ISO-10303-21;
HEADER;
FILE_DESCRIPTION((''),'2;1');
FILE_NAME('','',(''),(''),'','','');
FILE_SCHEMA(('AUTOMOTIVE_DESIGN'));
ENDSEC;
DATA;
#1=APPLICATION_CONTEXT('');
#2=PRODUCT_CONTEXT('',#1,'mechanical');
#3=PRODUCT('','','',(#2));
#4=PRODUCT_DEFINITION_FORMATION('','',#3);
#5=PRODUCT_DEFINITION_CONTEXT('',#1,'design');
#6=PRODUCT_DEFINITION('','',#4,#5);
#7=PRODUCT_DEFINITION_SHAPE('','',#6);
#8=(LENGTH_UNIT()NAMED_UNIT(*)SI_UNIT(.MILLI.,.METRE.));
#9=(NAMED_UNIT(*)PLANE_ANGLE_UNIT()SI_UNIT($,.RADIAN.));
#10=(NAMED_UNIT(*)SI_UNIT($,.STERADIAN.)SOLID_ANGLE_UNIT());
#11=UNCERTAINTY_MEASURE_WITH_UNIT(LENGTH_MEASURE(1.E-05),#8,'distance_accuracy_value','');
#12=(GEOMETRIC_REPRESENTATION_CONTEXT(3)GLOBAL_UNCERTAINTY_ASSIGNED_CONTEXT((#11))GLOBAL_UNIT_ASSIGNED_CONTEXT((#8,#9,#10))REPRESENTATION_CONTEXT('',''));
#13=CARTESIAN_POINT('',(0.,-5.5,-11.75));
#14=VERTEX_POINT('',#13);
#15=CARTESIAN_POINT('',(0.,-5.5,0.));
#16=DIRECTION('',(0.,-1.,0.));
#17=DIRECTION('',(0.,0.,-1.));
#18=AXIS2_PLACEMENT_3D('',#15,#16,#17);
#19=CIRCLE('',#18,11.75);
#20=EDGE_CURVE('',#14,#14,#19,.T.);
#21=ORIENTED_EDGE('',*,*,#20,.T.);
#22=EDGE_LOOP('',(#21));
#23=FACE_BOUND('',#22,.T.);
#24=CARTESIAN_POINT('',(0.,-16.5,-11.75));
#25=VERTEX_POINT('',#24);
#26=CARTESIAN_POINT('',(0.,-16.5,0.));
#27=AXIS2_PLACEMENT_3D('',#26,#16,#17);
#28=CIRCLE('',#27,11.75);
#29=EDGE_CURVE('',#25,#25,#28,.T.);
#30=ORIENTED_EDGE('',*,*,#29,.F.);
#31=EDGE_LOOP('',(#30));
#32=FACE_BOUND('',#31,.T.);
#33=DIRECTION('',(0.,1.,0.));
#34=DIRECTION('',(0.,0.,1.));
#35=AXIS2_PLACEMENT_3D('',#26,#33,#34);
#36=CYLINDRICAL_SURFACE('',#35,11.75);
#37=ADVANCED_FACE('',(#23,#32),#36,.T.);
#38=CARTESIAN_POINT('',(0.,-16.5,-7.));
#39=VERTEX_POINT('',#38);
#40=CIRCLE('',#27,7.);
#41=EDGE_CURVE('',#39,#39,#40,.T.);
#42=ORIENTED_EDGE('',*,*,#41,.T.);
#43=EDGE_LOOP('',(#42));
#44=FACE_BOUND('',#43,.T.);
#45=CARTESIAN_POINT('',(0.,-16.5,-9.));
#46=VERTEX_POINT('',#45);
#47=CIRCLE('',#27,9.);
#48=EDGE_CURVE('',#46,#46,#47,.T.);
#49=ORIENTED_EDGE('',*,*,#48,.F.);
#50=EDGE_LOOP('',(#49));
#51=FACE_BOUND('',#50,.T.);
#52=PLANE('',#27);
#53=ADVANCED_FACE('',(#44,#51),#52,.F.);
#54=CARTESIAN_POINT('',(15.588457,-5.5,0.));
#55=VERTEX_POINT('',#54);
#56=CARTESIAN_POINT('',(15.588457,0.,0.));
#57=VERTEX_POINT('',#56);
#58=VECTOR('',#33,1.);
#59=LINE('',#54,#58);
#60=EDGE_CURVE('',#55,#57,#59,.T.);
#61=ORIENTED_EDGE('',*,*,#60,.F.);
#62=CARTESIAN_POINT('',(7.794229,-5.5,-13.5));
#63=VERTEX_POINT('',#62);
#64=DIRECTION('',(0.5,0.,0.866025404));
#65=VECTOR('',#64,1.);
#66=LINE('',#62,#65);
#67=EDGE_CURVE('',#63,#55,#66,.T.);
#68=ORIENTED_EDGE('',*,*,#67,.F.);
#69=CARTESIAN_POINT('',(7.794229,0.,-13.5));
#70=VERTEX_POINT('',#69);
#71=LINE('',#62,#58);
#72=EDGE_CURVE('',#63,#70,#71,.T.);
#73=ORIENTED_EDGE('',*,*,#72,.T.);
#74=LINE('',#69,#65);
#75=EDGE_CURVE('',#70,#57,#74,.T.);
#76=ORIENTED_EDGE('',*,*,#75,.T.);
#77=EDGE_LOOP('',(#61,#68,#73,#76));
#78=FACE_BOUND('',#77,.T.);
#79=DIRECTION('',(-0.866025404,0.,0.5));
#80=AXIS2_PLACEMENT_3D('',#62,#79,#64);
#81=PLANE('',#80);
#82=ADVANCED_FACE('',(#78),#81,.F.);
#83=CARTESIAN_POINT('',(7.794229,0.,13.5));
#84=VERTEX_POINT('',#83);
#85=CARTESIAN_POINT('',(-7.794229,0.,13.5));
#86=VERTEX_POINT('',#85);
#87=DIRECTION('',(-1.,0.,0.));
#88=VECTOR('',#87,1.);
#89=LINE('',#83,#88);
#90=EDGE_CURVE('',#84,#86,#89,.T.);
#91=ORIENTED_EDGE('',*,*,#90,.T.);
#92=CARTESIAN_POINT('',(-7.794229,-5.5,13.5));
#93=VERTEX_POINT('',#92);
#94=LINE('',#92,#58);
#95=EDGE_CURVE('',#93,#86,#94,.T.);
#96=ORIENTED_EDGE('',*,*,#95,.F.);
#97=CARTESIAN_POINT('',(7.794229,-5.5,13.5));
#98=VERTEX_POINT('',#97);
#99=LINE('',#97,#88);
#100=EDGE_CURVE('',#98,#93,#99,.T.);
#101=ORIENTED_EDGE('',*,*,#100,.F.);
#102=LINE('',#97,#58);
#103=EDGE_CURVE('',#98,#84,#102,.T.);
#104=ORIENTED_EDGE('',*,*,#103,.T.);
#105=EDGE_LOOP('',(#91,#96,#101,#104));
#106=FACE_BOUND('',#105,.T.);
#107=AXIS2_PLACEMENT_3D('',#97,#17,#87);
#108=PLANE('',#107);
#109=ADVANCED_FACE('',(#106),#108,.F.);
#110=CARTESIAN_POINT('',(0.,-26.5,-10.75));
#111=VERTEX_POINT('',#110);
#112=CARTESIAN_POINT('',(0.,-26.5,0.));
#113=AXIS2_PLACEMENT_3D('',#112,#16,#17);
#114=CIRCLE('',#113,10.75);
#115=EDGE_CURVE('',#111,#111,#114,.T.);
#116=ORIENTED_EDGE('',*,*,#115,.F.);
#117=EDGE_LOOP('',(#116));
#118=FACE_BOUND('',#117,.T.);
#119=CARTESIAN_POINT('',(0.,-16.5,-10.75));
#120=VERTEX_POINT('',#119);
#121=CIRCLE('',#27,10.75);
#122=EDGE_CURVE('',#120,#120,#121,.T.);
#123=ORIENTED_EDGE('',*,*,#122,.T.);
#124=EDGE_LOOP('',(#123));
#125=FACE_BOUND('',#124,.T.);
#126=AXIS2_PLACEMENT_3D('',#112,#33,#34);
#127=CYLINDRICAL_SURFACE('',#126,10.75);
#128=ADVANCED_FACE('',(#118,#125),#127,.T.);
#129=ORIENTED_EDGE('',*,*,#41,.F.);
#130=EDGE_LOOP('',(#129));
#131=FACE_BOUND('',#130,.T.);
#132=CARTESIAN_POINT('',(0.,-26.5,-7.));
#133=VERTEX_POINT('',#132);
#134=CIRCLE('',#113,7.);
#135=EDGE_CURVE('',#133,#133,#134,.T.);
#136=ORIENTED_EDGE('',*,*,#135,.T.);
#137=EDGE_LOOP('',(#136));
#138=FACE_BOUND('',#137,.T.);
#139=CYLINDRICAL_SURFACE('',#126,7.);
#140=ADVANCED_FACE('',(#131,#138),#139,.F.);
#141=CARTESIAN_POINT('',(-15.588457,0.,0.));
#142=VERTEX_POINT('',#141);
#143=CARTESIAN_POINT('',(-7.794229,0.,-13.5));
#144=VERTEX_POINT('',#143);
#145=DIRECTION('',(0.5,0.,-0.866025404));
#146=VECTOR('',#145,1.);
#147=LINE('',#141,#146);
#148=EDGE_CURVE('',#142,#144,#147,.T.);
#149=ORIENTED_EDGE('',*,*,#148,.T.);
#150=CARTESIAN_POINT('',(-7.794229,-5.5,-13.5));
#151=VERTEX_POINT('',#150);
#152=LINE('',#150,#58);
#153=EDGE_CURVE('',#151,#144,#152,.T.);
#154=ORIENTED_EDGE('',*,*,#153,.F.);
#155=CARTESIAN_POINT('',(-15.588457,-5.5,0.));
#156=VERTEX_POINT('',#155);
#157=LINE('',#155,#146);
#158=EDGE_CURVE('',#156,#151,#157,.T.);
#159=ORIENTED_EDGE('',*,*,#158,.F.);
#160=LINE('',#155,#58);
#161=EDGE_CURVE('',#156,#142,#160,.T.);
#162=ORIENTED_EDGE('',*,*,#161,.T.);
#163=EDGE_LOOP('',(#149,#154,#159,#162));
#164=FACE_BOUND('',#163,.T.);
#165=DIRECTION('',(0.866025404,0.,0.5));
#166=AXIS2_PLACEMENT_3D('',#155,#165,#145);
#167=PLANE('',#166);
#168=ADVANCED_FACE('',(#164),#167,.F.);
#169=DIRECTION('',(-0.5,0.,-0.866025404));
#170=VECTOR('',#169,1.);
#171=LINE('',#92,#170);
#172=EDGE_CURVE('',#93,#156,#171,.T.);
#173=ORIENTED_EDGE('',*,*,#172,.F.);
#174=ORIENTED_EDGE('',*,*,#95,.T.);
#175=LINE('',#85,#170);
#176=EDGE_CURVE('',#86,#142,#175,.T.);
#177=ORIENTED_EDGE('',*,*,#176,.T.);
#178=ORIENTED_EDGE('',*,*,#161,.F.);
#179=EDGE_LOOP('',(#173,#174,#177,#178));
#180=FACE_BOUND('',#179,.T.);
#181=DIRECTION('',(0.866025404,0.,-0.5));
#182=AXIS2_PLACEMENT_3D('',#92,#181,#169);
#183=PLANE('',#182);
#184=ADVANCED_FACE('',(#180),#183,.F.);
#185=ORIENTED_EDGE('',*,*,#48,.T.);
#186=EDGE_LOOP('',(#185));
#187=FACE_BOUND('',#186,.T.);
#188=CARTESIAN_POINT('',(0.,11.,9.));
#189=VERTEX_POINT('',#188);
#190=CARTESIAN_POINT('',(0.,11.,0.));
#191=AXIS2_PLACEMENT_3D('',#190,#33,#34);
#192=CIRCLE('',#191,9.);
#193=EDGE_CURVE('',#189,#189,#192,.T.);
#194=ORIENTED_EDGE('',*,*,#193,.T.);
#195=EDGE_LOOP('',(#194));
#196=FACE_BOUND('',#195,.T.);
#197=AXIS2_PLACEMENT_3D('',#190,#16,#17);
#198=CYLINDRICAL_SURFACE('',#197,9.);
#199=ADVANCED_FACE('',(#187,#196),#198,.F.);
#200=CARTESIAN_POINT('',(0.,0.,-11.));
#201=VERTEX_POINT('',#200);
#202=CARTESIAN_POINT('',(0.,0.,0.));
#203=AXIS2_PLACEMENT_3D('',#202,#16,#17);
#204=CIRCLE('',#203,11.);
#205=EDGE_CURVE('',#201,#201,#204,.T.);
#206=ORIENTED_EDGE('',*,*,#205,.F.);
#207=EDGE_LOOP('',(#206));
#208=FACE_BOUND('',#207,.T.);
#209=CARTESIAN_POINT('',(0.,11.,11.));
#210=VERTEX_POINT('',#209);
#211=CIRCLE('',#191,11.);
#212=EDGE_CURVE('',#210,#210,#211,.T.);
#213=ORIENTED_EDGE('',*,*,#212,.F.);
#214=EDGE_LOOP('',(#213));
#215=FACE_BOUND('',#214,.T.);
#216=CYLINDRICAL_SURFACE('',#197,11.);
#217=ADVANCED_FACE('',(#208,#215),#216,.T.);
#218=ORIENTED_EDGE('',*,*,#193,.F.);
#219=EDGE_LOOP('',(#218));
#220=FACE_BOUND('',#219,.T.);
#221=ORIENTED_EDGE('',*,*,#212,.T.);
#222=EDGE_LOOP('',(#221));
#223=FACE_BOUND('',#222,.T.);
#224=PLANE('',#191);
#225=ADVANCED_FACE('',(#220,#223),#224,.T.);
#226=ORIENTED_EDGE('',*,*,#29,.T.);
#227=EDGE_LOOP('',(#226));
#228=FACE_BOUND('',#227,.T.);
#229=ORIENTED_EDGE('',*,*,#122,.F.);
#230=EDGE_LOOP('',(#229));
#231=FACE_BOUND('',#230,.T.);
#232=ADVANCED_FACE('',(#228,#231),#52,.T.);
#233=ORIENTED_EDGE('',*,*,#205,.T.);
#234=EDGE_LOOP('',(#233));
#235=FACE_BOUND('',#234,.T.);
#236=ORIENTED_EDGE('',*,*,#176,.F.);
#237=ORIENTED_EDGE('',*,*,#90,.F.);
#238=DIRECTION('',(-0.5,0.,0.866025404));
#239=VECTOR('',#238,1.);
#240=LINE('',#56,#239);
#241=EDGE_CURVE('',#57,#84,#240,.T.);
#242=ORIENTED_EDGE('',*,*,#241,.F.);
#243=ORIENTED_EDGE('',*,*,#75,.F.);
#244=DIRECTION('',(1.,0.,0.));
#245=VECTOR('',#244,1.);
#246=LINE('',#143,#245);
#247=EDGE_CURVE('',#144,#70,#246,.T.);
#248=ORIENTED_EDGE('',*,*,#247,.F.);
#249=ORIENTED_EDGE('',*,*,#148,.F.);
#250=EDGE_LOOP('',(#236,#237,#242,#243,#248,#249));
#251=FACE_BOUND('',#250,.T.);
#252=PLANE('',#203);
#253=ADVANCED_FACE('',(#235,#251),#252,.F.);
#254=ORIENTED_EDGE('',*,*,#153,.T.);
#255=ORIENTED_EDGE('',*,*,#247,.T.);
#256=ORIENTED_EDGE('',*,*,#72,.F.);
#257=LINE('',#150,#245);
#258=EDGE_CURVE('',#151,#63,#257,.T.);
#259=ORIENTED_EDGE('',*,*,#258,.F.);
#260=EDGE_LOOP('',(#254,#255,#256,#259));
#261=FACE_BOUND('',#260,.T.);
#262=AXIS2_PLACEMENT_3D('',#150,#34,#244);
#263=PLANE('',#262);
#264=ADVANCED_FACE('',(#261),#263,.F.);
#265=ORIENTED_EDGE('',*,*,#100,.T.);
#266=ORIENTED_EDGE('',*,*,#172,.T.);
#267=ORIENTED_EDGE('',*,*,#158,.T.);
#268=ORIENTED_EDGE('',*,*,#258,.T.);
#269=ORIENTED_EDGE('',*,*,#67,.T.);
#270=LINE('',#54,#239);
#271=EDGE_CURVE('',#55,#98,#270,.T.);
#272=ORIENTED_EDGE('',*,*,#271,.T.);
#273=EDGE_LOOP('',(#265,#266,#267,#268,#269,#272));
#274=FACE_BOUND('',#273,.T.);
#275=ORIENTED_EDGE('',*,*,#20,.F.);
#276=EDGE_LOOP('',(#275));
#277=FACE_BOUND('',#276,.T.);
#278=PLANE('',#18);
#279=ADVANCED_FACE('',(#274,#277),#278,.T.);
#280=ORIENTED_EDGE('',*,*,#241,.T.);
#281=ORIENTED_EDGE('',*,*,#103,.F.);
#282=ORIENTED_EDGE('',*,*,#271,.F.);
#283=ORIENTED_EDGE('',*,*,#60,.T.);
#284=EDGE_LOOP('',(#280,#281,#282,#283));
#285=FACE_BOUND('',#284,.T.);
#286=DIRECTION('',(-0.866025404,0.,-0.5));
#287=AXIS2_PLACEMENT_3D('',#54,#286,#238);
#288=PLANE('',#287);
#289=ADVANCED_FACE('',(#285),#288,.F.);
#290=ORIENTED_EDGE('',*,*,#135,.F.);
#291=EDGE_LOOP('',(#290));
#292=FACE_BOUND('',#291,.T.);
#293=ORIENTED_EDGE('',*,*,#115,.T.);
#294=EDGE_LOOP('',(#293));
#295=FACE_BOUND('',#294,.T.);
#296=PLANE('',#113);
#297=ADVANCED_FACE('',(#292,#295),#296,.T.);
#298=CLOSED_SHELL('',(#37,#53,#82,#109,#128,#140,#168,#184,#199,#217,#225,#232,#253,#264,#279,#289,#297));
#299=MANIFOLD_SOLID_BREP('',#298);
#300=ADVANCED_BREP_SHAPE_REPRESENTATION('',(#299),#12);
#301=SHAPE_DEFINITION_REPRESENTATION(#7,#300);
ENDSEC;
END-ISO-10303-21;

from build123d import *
from build123d.topology import SkipClean

# Parameters (mm, degrees)
SKIZZE1_R                       = 11
SKIZZE1_R_2                     = 9
AUFSATZ_LINEAR_AUSTRAGEN1_DEPTH = 11
AUFSATZ_LINEAR_START            = 5.5
SKIZZE2_R                       = 9
AUFSATZ_LINEAR_AUSTRAGEN2_DEPTH = 5.5
AUFSATZ_LINEAR_START_2          = 11
SKIZZE3_R                       = 11.75
SKIZZE3_R_2                     = 9
AUFSATZ_LINEAR_AUSTRAGEN3_DEPTH = 11
SKIZZE4_R                       = 10.75
SKIZZE4_R_2                     = 7
AUFSATZ_LINEAR_AUSTRAGEN4_DEPTH = 10


with BuildPart() as part:
    # Skizze1 → Aufsatz-Linear austragen1 (new body)
    with BuildSketch(Plane(origin=(0, 0, 0), x_dir=(1, 0, 0), z_dir=(0, 1, 0))):
        with Locations(Location((0, 0, 0), (0, 0, 270))):
            Circle(SKIZZE1_R)
        with Locations(Location((0, 0, 0), (0, 0, 270))):
            Circle(SKIZZE1_R_2, mode=Mode.SUBTRACT)
    extrude(amount=AUFSATZ_LINEAR_AUSTRAGEN1_DEPTH)

    # Skizze2 → Aufsatz-Linear austragen2 (add)
    with SkipClean():  # the faces are left unmerged after this step: merging them gives an invalid solid
        with BuildSketch(Plane.XZ.offset(AUFSATZ_LINEAR_START)):
            Polygon((15.588457268, 0), (7.794228634, 13.5), (-7.794228634, 13.5), (-15.588457268, 0), (-7.794228634, -13.5), (7.794228634, -13.5), align=None)
            with Locations(Location((0, 0, 0), (0, 0, 270))):
                Circle(SKIZZE2_R, mode=Mode.SUBTRACT)
        extrude(amount=-AUFSATZ_LINEAR_AUSTRAGEN2_DEPTH)

    # Skizze3 → Aufsatz-Linear austragen3 (add)
    with SkipClean():  # the faces are left unmerged after this step: merging them gives an invalid solid
        with BuildSketch(Plane.XZ.offset(5.5).offset(AUFSATZ_LINEAR_START_2)):
            with Locations(Location((0, 0, 0), (0, 0, 270))):
                Circle(SKIZZE3_R)
            with Locations(Location((0, 0, 0), (0, 0, 270))):
                Circle(SKIZZE3_R_2, mode=Mode.SUBTRACT)
        extrude(amount=-AUFSATZ_LINEAR_AUSTRAGEN3_DEPTH)

    # Skizze4 → Aufsatz-Linear austragen4 (add)
    with SkipClean():  # the faces are left unmerged after this step: merging them gives an invalid solid
        with BuildSketch(Plane.XZ.offset(16.5)):
            with Locations(Location((0, 0, 0), (0, 0, 270))):
                Circle(SKIZZE4_R)
            with Locations(Location((0, 0, 0), (0, 0, 270))):
                Circle(SKIZZE4_R_2, mode=Mode.SUBTRACT)
        extrude(amount=AUFSATZ_LINEAR_AUSTRAGEN4_DEPTH)


solid = part.part
